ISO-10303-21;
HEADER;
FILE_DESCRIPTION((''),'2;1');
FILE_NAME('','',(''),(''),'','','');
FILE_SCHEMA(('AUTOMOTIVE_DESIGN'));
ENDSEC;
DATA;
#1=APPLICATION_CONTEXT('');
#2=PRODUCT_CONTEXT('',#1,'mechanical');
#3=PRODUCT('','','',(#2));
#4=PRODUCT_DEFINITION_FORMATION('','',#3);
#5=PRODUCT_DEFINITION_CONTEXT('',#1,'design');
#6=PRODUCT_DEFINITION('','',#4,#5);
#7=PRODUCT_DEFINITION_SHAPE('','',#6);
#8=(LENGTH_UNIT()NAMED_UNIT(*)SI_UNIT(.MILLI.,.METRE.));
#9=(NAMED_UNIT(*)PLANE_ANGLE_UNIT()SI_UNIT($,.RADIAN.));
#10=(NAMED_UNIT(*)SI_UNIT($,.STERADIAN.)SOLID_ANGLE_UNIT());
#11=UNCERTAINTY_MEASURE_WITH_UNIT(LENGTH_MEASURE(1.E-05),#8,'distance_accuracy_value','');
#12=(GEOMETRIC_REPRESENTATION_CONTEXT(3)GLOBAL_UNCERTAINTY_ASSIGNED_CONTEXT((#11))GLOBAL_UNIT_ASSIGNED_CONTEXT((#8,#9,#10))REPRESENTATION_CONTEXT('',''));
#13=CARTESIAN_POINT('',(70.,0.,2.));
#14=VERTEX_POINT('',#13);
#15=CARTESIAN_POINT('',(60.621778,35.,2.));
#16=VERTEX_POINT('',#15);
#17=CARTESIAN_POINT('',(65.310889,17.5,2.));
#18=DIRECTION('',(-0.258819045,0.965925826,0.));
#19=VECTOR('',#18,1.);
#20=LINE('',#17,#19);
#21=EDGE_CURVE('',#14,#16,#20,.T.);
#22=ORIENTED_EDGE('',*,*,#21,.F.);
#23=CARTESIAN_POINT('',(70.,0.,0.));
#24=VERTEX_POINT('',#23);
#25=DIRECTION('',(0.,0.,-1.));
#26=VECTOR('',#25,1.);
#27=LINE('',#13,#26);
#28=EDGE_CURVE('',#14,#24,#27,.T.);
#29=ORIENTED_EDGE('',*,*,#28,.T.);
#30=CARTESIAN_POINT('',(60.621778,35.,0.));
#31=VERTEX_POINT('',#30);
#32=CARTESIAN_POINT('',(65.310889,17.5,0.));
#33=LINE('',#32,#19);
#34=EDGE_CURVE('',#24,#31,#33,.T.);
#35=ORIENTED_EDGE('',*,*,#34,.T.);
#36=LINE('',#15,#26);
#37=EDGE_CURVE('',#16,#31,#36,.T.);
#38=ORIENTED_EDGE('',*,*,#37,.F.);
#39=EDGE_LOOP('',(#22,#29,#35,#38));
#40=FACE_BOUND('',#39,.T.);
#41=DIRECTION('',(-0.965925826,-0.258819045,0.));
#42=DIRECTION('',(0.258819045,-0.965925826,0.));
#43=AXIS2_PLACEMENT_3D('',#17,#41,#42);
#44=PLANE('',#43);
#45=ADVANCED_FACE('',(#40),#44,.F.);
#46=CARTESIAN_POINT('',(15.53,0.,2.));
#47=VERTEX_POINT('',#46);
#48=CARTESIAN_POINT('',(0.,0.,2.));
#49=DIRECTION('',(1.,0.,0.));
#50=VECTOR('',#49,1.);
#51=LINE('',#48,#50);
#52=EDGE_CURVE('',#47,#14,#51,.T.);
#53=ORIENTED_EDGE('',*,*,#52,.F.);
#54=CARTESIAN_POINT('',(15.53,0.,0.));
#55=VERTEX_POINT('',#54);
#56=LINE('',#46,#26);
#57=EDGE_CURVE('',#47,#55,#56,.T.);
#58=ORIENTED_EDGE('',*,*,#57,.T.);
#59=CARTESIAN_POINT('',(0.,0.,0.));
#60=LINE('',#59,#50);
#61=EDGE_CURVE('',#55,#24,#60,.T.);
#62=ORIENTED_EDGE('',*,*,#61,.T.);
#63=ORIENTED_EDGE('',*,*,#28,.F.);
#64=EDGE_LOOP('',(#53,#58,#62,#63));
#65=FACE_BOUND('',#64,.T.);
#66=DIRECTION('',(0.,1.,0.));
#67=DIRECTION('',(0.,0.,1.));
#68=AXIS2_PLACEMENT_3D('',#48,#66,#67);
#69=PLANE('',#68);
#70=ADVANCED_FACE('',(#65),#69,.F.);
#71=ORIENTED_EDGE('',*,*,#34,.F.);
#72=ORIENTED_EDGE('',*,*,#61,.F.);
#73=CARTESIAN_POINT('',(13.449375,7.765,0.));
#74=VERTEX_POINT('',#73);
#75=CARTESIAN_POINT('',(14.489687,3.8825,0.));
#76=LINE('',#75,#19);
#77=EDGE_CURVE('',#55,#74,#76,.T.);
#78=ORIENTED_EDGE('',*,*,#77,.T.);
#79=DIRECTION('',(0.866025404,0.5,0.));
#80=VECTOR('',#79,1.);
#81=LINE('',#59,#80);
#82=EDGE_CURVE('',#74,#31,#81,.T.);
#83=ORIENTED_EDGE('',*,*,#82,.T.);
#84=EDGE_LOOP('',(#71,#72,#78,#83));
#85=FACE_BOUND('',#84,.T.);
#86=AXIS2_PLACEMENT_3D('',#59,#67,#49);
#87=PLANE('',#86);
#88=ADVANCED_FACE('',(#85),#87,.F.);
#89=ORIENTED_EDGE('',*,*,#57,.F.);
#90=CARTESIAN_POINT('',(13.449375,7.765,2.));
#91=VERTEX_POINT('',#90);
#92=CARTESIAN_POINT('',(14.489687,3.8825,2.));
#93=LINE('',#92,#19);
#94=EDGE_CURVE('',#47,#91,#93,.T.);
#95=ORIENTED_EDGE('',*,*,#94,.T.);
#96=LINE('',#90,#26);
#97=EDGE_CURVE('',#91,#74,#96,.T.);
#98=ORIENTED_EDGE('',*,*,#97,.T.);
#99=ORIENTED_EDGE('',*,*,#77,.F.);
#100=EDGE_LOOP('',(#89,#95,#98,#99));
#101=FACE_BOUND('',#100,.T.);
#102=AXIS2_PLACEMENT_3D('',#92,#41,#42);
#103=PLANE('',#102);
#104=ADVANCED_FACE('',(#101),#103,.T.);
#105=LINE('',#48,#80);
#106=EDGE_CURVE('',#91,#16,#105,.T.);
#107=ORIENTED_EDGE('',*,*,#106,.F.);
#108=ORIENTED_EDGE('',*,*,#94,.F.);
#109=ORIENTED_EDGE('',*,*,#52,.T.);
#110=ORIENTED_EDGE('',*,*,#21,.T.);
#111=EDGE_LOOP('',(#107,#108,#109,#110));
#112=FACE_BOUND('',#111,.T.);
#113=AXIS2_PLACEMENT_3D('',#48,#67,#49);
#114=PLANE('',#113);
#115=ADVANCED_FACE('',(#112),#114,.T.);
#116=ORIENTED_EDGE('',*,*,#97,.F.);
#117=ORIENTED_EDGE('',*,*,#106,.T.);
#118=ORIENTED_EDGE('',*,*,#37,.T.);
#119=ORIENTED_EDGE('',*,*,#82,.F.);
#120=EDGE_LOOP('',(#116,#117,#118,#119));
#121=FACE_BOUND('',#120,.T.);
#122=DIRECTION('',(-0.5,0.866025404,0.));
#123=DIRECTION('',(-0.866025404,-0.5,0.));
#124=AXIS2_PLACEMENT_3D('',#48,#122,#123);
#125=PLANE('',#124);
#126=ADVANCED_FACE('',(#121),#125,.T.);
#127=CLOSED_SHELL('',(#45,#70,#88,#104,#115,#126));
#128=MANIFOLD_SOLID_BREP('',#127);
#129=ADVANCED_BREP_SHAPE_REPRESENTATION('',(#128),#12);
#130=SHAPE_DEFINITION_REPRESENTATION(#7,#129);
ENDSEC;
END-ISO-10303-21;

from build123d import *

# Parameters (mm, degrees)
BOSS_EXTRUDE1_DEPTH = 2


with BuildPart() as part:
    # Sketch2 → Boss-Extrude1 (new body)
    with BuildSketch(Plane.XY):
        Polygon((15.53, 0), (13.449374521, 7.765), (60.621778265, 35), (70, 0), align=None)
    extrude(amount=BOSS_EXTRUDE1_DEPTH)


solid = part.part
